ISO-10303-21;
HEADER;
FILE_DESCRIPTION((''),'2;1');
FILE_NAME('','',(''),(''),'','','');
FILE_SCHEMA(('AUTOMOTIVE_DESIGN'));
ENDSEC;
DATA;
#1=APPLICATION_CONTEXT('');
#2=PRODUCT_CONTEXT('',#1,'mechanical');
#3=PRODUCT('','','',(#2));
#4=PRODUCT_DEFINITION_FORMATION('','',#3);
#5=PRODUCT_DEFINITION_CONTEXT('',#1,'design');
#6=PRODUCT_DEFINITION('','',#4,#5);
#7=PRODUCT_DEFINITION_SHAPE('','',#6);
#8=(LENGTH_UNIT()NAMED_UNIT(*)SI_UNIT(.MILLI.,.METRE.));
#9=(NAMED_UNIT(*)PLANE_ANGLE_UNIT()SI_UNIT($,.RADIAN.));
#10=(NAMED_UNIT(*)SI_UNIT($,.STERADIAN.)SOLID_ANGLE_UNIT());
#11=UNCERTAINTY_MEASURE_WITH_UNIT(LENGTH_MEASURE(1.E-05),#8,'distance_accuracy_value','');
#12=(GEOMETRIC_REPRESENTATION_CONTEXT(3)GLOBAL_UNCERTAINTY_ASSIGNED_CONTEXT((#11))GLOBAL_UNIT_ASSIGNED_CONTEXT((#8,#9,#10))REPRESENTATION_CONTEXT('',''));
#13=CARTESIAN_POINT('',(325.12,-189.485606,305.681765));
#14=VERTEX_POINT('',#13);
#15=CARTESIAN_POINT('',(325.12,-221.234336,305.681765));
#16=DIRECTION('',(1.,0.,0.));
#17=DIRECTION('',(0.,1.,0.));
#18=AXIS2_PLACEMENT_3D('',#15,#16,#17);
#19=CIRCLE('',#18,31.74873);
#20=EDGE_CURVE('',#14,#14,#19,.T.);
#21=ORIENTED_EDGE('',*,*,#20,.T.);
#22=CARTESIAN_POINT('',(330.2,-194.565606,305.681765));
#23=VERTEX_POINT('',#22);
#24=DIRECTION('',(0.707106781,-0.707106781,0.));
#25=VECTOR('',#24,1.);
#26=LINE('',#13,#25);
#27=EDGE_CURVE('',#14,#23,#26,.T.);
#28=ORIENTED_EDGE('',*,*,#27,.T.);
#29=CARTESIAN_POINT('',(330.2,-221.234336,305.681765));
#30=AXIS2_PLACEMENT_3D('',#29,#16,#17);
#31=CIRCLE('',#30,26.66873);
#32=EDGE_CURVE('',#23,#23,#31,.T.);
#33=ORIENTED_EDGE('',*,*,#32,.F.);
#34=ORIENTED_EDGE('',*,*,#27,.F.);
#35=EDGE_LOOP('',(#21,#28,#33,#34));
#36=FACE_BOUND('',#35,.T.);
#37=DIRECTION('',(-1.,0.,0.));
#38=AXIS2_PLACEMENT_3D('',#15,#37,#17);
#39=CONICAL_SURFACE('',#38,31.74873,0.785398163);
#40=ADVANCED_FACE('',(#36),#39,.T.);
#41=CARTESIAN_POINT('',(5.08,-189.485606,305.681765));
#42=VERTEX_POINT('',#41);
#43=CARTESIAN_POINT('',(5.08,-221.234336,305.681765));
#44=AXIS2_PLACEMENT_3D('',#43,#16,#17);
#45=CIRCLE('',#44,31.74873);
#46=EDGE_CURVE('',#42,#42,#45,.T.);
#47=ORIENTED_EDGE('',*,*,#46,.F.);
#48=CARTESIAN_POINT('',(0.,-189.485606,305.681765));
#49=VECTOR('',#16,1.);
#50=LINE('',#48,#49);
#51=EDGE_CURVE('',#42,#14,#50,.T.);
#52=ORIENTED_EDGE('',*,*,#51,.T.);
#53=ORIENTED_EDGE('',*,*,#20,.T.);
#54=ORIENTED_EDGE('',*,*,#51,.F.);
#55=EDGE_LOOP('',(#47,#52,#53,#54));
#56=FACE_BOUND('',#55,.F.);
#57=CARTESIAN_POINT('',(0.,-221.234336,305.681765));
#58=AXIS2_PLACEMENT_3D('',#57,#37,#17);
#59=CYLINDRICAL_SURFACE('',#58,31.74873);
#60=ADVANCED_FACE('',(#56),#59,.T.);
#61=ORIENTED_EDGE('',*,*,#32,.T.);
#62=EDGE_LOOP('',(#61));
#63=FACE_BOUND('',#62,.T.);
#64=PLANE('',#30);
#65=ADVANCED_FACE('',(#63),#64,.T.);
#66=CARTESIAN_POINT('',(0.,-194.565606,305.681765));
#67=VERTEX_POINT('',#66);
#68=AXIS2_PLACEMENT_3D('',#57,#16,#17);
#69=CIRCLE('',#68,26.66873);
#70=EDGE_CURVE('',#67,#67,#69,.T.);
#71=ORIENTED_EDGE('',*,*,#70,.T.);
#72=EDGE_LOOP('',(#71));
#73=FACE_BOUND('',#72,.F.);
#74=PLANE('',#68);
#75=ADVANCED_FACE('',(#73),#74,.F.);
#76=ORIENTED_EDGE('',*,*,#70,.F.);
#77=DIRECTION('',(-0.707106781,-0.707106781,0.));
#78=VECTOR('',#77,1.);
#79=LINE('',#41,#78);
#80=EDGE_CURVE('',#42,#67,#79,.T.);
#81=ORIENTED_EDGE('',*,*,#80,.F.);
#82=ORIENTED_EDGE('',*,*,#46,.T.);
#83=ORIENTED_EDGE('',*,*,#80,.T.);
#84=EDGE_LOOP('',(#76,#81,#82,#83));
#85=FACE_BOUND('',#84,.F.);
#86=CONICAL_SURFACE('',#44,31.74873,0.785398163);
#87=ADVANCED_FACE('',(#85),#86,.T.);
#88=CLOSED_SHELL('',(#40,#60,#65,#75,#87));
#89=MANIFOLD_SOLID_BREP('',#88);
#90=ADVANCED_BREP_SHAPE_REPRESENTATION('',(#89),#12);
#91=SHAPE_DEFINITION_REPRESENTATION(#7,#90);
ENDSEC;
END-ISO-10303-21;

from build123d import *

# Parameters (mm, degrees)
F0_R     = 31.74873
F1_DEPTH = 330.2
F2_SIZE  = 5.08


with BuildPart() as f1:
    # F0 (on Right) → F1 (new body)
    with BuildSketch(Plane.YZ):
        with Locations((-221.234336, 305.681765)):
            Circle(F0_R)
    extrude(amount=F1_DEPTH)

    # F2
    f2_edges = [f1.edges().sort_by_distance(p)[0] for p in [
        (330.2, -252.983066, 305.681765),
        (0, -252.983066, 305.681765),
    ]]
    chamfer(f2_edges, length=F2_SIZE)


solid = f1.part
